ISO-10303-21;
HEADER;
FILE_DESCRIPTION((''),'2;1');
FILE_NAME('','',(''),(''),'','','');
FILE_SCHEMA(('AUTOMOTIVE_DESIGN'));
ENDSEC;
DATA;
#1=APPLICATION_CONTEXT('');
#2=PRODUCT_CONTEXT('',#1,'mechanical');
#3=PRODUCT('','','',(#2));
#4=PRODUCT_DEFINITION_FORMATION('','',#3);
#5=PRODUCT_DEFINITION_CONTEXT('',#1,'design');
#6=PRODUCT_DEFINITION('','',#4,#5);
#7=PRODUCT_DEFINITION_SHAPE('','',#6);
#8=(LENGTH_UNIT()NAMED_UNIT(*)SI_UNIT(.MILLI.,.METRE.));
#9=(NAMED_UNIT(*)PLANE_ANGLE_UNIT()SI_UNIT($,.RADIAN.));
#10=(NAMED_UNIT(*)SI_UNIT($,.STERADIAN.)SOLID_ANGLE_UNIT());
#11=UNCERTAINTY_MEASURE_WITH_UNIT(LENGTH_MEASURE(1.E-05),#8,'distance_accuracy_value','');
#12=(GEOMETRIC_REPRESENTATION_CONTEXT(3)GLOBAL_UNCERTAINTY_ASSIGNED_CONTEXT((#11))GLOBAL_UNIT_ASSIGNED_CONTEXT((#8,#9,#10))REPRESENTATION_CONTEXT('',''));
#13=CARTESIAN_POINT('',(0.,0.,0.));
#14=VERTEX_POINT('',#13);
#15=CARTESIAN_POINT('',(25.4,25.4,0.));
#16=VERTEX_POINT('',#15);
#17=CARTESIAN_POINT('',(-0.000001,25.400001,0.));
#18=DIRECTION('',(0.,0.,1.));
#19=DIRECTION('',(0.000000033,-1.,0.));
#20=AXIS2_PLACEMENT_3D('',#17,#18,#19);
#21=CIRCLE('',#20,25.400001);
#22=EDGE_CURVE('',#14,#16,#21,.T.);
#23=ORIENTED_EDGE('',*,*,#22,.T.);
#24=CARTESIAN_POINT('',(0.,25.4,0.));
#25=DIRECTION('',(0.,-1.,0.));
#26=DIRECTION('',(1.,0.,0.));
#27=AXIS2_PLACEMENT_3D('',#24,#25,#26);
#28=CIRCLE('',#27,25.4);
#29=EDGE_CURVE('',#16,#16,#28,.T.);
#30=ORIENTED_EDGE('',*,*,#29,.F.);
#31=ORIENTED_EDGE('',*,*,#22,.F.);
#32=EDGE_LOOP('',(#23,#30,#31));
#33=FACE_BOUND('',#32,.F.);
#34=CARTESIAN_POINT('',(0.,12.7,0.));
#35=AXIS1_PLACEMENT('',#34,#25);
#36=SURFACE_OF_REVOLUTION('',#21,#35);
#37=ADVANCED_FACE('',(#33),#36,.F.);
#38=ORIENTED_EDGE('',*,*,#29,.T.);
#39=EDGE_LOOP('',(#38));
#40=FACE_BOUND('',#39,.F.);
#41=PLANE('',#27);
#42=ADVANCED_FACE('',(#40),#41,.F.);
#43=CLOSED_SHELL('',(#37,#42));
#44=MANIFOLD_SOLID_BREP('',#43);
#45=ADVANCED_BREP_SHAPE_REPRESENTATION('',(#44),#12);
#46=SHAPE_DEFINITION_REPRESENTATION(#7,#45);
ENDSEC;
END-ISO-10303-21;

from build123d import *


with BuildPart() as f1:
    # F0 (on Top) → F1 (revolve)
    with BuildSketch(Plane.XY):
        with BuildLine():
            Line((0, 25.4), (0, 0))
            ThreePointArc((0, 0), (17.960512, 7.439488), (25.4, 25.4))
            Line((25.4, 25.4), (0, 25.4))
        make_face()
    revolve(axis=Axis((0, 12.7, 0), (0, -1, 0)))


solid = f1.part
